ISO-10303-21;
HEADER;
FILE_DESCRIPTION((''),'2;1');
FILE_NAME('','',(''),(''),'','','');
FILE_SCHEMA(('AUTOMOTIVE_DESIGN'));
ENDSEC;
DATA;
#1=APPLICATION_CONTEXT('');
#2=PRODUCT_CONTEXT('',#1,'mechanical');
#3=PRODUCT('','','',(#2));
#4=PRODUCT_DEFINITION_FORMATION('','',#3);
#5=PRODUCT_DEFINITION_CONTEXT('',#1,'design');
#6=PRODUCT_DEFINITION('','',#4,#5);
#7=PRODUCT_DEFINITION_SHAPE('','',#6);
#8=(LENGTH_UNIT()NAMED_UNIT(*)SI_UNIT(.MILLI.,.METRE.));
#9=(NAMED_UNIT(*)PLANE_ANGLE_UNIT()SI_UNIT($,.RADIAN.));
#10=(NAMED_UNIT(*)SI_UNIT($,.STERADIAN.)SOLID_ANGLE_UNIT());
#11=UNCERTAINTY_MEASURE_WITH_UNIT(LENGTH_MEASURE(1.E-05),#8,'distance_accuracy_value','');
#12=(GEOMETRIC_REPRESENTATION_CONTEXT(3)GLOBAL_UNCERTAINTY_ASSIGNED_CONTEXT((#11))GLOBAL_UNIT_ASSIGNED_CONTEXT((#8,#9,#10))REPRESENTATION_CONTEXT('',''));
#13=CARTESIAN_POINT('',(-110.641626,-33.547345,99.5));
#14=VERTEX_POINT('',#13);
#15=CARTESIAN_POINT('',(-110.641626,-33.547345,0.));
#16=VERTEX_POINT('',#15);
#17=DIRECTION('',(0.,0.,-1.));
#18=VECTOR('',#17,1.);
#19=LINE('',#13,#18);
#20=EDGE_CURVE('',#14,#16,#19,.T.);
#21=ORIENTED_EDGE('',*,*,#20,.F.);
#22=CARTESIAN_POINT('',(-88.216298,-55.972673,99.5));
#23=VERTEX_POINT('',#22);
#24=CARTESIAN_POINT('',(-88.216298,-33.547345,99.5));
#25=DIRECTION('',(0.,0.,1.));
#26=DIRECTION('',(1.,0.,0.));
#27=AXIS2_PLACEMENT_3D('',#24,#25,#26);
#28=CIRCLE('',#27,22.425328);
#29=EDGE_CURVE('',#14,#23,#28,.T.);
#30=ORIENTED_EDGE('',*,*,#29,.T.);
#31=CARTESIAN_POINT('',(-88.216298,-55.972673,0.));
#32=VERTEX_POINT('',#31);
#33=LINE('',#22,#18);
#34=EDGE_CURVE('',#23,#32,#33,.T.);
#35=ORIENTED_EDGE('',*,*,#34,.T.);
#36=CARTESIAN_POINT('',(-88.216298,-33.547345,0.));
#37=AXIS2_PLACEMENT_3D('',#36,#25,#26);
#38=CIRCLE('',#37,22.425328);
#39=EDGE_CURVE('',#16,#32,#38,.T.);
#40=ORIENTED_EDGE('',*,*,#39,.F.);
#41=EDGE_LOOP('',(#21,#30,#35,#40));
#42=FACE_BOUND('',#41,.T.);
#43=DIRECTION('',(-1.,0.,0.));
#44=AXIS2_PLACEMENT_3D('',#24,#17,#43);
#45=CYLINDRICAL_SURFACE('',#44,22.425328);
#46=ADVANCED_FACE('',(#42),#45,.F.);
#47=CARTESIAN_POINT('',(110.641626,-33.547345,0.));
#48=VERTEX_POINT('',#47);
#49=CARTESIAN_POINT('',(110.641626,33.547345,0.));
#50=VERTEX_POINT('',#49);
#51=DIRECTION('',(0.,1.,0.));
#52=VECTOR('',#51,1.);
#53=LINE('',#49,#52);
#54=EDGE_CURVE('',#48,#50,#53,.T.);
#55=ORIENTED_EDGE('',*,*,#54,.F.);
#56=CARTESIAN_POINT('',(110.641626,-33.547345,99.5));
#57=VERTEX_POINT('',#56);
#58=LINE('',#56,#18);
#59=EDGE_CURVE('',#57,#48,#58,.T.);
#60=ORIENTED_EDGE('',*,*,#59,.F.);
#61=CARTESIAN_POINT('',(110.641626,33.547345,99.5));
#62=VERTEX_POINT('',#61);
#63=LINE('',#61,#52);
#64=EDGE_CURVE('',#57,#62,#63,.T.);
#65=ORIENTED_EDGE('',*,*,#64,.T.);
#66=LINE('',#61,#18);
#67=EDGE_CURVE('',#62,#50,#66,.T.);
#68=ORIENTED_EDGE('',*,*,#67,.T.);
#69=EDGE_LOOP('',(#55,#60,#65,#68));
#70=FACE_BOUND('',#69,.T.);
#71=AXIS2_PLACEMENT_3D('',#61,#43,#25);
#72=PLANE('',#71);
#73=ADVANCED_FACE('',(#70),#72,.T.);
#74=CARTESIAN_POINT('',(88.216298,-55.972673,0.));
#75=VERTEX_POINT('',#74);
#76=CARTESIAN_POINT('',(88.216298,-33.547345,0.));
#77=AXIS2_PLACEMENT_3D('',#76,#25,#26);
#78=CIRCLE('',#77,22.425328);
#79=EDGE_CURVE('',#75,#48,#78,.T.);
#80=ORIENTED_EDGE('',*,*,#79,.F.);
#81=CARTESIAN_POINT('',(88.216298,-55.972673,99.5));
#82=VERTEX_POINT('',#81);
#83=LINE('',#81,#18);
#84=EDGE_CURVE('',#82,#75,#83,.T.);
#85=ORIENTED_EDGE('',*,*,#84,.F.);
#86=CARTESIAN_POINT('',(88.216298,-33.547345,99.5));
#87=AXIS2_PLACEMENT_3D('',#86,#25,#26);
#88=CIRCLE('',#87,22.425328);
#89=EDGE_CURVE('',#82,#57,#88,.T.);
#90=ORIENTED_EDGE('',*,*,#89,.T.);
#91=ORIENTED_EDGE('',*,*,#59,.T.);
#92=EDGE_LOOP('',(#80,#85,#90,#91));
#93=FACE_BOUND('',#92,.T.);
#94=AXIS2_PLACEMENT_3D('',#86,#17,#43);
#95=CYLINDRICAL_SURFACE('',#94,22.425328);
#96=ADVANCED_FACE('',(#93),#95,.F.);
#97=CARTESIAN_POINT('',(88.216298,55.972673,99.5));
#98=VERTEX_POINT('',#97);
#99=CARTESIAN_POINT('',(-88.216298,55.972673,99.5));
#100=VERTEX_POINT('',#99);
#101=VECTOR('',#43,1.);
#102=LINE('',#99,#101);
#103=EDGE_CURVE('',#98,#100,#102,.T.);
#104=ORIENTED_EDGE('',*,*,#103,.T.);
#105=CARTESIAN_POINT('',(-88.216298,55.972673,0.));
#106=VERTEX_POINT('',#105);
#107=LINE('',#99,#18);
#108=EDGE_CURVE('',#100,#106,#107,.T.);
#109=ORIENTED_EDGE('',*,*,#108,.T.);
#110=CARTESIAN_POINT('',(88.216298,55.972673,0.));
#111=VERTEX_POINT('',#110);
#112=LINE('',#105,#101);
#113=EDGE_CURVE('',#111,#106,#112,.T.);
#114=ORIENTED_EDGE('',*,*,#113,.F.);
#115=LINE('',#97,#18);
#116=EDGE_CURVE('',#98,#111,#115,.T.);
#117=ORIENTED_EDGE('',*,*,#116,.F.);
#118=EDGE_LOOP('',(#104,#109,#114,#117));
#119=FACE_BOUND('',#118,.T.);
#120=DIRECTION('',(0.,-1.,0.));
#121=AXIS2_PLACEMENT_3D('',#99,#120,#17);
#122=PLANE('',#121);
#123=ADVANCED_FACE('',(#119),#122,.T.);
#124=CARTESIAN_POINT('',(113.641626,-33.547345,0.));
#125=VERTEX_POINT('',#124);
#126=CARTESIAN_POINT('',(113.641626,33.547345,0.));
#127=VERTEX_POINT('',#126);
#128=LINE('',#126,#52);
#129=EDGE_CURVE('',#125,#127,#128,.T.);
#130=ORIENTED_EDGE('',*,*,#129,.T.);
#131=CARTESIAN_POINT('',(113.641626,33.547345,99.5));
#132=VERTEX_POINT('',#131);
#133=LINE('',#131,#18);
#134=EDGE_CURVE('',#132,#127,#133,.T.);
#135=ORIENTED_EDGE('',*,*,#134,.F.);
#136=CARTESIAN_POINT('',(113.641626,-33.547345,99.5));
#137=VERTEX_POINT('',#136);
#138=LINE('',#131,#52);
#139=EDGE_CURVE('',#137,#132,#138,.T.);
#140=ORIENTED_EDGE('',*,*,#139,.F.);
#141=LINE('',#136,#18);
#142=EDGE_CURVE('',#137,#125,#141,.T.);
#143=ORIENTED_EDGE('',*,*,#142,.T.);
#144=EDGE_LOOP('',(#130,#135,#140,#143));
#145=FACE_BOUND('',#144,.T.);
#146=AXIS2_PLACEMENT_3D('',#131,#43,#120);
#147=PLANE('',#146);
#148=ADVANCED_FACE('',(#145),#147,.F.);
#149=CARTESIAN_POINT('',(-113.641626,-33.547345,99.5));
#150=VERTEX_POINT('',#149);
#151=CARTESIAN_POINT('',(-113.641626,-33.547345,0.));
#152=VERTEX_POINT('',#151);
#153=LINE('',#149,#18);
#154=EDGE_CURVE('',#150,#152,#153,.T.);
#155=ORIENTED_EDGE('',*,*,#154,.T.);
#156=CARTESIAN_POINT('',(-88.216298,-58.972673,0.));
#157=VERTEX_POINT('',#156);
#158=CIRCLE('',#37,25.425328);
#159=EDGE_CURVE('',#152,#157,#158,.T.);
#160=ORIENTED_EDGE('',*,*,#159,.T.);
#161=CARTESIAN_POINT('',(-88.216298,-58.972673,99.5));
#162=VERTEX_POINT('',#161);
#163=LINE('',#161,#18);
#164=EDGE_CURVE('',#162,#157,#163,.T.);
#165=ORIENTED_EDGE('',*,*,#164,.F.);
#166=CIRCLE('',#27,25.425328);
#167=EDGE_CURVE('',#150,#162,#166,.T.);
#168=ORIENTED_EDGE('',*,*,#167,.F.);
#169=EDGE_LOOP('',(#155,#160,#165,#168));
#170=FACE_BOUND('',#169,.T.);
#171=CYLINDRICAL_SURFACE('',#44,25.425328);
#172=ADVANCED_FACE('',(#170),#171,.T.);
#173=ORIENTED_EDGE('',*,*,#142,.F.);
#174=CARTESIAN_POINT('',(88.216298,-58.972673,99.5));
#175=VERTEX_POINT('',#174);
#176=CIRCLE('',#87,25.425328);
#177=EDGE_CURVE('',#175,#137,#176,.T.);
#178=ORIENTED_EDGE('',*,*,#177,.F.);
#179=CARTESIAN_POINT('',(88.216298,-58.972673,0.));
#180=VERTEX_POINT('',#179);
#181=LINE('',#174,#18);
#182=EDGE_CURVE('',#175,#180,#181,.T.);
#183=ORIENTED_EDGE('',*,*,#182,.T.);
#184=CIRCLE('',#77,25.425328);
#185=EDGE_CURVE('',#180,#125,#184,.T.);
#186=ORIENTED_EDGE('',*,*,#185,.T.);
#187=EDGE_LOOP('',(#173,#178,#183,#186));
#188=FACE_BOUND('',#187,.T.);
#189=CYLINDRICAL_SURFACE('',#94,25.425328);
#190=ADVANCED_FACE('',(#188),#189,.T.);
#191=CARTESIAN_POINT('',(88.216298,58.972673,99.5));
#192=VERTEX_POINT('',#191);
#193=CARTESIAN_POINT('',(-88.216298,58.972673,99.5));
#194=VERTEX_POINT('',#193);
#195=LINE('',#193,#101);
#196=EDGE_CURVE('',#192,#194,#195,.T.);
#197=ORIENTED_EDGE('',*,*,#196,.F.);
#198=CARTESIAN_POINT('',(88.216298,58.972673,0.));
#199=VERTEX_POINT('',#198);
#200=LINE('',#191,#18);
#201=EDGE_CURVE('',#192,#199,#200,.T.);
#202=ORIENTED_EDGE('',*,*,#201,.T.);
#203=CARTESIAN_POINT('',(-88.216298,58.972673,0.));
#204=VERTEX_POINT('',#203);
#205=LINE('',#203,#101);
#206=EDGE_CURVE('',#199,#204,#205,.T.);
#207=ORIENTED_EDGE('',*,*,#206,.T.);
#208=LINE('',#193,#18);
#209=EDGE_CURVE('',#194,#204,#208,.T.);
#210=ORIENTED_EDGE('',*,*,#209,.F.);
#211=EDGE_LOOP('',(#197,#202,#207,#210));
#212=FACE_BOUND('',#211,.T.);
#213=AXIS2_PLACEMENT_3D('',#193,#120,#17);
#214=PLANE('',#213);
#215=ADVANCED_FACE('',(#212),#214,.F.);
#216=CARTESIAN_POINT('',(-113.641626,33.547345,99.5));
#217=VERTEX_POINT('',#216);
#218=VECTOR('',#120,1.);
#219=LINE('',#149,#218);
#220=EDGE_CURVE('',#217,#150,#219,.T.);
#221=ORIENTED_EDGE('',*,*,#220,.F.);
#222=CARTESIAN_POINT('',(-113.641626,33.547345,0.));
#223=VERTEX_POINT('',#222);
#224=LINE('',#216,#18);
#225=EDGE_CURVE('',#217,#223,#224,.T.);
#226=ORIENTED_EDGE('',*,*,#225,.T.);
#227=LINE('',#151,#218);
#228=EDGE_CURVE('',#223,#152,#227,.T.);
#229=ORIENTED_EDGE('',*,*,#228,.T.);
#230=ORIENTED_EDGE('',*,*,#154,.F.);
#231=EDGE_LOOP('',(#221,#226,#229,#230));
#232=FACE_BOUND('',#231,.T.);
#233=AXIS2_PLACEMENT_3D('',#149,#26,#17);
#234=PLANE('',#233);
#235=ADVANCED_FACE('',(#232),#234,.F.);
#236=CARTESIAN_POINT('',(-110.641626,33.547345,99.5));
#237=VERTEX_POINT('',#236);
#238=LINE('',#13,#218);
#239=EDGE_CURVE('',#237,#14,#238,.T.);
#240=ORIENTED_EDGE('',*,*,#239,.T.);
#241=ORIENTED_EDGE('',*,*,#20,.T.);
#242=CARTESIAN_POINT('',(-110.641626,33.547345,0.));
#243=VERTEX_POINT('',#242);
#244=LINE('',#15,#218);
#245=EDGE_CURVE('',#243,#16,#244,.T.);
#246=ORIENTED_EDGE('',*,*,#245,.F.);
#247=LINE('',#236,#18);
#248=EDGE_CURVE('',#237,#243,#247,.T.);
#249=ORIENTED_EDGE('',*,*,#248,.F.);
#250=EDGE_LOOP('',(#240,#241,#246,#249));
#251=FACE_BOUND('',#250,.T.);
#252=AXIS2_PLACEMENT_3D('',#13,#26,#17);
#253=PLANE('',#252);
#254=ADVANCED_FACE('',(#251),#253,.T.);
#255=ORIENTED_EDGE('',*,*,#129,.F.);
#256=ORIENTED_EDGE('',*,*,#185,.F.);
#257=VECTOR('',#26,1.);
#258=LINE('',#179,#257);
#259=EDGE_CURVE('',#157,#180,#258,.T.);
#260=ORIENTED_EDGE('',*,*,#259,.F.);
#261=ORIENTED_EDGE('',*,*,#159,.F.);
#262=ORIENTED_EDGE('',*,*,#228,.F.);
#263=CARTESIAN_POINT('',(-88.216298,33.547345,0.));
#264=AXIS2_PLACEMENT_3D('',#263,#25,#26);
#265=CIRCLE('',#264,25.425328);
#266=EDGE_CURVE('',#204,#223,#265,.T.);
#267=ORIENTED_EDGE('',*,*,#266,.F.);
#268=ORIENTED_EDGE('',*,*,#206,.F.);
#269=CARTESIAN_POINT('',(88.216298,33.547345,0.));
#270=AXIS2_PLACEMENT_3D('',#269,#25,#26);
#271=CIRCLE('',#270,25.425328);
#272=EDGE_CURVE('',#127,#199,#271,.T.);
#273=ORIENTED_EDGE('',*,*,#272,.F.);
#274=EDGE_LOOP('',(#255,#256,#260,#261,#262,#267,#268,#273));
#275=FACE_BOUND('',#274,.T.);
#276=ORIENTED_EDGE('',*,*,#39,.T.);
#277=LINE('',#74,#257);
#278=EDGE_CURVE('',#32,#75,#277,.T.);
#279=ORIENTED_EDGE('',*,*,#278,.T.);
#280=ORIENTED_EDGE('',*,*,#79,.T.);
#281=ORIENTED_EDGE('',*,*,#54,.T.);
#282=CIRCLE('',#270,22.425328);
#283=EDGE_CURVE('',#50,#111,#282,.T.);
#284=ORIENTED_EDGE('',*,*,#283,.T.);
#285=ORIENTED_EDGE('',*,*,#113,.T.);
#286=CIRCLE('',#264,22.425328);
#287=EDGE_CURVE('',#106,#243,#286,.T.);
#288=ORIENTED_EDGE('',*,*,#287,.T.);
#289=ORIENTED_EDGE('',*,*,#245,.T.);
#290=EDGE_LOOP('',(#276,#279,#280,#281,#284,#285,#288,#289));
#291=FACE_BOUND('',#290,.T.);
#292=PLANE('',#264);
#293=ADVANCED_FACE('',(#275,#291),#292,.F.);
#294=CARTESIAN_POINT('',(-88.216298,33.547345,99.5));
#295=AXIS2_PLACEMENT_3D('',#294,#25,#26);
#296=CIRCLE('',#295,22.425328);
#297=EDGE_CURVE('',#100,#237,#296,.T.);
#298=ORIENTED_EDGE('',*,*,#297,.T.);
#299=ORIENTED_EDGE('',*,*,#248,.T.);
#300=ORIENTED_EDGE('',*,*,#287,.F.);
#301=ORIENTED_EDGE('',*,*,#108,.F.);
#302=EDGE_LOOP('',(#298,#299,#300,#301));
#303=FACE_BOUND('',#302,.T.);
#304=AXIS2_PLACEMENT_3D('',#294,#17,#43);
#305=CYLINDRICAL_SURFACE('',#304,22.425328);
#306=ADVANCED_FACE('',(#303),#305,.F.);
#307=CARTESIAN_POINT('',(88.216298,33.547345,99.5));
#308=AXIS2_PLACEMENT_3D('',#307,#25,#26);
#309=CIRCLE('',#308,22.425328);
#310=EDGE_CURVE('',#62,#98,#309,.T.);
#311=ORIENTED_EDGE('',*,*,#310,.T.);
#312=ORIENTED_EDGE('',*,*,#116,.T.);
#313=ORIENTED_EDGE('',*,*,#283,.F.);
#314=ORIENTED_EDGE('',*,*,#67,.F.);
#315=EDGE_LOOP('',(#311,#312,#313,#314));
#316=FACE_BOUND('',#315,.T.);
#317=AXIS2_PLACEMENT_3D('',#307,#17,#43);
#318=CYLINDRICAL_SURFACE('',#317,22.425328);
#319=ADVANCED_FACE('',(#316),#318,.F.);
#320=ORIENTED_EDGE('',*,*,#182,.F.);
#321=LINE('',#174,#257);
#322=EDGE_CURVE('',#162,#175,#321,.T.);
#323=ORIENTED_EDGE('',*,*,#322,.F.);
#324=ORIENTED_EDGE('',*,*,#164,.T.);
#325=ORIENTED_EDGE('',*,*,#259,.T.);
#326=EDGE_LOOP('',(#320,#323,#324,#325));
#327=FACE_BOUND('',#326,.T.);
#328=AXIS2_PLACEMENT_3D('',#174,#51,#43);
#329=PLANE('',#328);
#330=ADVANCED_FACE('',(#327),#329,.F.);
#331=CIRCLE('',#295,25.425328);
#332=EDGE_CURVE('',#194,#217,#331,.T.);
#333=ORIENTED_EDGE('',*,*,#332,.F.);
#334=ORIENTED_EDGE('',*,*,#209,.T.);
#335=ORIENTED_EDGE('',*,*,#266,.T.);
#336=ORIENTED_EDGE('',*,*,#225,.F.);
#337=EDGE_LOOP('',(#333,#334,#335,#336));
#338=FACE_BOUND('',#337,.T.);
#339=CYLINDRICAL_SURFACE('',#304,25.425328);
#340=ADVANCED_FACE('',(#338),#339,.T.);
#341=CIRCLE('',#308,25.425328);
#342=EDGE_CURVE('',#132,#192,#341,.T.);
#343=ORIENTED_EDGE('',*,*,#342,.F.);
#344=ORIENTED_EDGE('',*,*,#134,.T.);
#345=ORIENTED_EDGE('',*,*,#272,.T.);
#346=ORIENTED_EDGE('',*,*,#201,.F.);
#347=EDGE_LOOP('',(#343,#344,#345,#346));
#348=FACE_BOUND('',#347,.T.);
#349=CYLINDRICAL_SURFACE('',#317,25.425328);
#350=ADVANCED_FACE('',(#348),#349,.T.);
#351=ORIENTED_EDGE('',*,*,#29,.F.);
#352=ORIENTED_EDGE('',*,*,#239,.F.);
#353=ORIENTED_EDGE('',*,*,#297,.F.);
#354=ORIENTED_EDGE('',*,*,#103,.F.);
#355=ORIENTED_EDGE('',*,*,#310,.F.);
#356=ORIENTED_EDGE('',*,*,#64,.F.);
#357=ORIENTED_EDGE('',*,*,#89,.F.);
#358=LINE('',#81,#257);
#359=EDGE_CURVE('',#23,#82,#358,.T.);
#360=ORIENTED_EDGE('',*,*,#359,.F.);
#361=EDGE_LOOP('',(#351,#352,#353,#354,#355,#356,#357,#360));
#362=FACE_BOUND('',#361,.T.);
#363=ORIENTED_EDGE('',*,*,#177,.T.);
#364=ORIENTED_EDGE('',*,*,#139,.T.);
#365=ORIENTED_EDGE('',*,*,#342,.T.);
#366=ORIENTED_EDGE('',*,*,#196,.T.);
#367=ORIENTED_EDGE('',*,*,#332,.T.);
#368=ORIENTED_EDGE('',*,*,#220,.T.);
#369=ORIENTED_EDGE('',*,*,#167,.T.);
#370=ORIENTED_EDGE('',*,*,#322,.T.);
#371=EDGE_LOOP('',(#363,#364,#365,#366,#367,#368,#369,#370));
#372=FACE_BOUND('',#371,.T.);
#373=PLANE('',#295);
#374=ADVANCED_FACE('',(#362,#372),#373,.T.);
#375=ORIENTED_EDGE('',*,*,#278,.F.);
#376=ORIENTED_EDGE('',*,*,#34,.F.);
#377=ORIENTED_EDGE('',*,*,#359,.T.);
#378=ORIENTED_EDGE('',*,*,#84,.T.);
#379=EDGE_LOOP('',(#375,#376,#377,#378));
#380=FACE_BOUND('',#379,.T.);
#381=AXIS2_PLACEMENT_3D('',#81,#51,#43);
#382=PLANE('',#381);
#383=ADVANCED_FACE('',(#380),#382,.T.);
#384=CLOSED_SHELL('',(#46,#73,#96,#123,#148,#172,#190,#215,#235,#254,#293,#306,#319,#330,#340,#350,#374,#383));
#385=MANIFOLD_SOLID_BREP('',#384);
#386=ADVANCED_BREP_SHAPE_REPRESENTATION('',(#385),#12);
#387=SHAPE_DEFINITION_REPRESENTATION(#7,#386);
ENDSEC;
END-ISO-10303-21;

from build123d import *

# Parameters (mm, degrees)
BOSS_EXTRUDE1_DEPTH = 99.5


with BuildPart() as part:
    # Sketch1 → Boss-Extrude1 (new body)
    with BuildSketch(Plane.XY):
        with BuildLine():
            Line((-88.21629769, 58.972672896), (88.21629769, 58.972672896))
            ThreePointArc((88.21629769, 58.972672896), (106.194719556, 51.525766729), (113.641625723, 33.547344863))
            Line((113.641625723, 33.547344863), (113.641625723, -33.547344863))
            ThreePointArc((113.641625723, -33.547344863), (106.194719556, -51.525766729), (88.21629769, -58.972672896))
            Line((88.21629769, -58.972672896), (-88.21629769, -58.972672896))
            ThreePointArc((-88.21629769, -58.972672896), (-106.194719556, -51.525766729), (-113.641625723, -33.547344863))
            Line((-113.641625723, -33.547344863), (-113.641625723, 33.547344863))
            ThreePointArc((-113.641625723, 33.547344863), (-106.194719556, 51.525766729), (-88.21629769, 58.972672896))
        make_face()
        with BuildLine():
            Line((-88.21629769, 55.972672896), (88.21629769, 55.972672896))
            ThreePointArc((88.21629769, 55.972672896), (104.073399212, 49.404446385), (110.641625723, 33.547344863))
            Line((110.641625723, 33.547344863), (110.641625723, -33.547344863))
            ThreePointArc((110.641625723, -33.547344863), (104.073399212, -49.404446385), (88.21629769, -55.972672896))
            Line((88.21629769, -55.972672896), (-88.21629769, -55.972672896))
            ThreePointArc((-88.21629769, -55.972672896), (-104.073399212, -49.404446385), (-110.641625723, -33.547344863))
            Line((-110.641625723, -33.547344863), (-110.641625723, 33.547344863))
            ThreePointArc((-110.641625723, 33.547344863), (-104.073399212, 49.404446385), (-88.21629769, 55.972672896))
        make_face(mode=Mode.SUBTRACT)
    extrude(amount=BOSS_EXTRUDE1_DEPTH)


solid = part.part
